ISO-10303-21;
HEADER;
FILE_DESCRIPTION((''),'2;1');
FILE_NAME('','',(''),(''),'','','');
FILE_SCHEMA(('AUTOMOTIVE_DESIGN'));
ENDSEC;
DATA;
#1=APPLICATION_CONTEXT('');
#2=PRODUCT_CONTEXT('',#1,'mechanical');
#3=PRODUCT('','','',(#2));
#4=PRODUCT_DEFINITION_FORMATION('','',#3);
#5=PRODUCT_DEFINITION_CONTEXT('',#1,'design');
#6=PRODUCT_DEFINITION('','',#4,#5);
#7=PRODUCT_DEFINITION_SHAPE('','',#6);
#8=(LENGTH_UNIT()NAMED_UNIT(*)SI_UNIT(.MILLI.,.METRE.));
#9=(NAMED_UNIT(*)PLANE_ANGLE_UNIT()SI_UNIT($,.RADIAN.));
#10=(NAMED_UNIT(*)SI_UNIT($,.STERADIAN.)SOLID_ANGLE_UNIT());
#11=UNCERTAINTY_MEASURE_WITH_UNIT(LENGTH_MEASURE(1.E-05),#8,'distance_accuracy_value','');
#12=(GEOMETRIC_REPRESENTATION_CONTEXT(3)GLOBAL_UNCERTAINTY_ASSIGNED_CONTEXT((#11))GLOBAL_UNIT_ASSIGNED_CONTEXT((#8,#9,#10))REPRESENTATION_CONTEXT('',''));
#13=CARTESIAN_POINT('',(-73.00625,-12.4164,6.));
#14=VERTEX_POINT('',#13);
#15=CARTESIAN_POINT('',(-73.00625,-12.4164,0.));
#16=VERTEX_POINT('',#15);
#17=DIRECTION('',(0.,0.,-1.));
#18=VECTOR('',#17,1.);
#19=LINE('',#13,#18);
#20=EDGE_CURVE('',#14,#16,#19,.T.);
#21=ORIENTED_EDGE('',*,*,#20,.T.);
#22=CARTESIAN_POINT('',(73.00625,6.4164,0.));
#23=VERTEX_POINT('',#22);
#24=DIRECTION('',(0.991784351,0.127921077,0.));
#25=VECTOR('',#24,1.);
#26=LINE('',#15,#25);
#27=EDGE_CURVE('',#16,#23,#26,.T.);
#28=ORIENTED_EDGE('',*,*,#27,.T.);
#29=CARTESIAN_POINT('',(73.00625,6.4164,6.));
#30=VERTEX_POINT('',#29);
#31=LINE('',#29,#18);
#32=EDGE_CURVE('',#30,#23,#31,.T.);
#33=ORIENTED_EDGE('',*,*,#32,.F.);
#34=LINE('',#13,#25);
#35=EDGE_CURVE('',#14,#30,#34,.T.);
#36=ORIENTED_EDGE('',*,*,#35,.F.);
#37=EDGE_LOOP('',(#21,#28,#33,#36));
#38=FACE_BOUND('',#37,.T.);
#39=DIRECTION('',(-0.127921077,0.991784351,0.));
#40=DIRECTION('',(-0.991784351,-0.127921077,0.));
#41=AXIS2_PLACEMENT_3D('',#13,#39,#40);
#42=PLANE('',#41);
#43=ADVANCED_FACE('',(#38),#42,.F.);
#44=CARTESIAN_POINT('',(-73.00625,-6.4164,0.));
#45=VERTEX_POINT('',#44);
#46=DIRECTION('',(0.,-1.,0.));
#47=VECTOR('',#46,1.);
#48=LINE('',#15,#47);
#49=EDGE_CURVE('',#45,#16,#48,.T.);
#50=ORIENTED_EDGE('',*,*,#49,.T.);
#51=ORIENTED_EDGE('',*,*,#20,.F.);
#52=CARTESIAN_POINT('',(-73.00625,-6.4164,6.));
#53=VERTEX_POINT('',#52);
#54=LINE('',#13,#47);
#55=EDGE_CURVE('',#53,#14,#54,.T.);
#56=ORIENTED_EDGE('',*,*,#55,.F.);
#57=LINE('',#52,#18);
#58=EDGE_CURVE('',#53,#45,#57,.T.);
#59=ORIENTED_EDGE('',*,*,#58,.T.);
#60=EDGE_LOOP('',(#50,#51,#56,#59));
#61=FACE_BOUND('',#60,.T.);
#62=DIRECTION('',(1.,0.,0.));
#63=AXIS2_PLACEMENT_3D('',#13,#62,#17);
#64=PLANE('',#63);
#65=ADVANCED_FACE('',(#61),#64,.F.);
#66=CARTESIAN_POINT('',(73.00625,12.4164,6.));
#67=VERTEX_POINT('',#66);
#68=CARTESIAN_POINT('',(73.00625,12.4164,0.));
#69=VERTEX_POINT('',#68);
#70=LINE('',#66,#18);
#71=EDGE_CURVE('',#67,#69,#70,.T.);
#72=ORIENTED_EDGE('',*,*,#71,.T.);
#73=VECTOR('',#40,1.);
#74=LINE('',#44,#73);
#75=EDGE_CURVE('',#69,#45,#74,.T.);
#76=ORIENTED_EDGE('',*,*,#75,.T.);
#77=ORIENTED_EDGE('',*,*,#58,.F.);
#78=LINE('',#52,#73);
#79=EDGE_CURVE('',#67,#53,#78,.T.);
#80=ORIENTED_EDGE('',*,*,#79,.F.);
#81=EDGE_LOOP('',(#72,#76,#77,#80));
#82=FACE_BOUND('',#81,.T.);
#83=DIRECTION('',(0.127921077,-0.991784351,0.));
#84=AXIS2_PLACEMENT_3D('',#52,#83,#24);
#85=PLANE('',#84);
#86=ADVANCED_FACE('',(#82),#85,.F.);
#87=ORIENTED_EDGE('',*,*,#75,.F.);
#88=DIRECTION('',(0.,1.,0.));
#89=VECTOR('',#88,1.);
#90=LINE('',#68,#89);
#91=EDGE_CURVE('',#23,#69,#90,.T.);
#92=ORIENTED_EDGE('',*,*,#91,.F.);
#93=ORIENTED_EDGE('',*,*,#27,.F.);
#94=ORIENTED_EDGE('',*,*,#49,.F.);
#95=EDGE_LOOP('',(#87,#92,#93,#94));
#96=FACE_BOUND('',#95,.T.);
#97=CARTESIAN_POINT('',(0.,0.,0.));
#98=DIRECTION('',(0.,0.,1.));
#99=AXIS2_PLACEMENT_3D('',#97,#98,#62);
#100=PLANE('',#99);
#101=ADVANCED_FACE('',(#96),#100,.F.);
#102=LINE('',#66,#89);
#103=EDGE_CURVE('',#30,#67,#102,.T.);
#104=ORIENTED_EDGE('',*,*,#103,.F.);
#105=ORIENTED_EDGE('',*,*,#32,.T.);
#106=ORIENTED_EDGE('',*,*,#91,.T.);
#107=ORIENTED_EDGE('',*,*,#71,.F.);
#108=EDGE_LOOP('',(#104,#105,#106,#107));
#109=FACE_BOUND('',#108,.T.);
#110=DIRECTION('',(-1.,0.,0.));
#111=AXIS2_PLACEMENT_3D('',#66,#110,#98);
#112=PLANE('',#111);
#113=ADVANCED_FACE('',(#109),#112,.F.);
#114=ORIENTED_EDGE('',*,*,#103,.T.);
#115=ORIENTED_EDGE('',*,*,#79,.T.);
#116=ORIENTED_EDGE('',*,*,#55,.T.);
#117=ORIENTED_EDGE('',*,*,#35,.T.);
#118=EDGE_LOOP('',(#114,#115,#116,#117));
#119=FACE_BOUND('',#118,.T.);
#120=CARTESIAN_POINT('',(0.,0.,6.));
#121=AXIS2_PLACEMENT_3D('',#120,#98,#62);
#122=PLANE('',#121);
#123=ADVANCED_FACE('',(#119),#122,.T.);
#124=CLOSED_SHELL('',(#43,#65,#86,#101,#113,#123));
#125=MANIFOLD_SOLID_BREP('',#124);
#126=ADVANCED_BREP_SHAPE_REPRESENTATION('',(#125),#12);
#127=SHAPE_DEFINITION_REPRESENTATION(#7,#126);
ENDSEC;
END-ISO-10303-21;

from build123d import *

# Parameters (mm, degrees)
BOSS_EXTRUDE1_DEPTH = 6


with BuildPart() as part:
    # Sketch1 → Boss-Extrude1 (new body)
    with BuildSketch(Plane(origin=(0, 0, 0), x_dir=(0, 1, 0), z_dir=(0, 0, 1))):
        Polygon((-12.4164, 73.00625), (-6.4164, 73.00625), (12.4164, -73.00625), (6.4164, -73.00625), align=None)
    extrude(amount=BOSS_EXTRUDE1_DEPTH)


solid = part.part
